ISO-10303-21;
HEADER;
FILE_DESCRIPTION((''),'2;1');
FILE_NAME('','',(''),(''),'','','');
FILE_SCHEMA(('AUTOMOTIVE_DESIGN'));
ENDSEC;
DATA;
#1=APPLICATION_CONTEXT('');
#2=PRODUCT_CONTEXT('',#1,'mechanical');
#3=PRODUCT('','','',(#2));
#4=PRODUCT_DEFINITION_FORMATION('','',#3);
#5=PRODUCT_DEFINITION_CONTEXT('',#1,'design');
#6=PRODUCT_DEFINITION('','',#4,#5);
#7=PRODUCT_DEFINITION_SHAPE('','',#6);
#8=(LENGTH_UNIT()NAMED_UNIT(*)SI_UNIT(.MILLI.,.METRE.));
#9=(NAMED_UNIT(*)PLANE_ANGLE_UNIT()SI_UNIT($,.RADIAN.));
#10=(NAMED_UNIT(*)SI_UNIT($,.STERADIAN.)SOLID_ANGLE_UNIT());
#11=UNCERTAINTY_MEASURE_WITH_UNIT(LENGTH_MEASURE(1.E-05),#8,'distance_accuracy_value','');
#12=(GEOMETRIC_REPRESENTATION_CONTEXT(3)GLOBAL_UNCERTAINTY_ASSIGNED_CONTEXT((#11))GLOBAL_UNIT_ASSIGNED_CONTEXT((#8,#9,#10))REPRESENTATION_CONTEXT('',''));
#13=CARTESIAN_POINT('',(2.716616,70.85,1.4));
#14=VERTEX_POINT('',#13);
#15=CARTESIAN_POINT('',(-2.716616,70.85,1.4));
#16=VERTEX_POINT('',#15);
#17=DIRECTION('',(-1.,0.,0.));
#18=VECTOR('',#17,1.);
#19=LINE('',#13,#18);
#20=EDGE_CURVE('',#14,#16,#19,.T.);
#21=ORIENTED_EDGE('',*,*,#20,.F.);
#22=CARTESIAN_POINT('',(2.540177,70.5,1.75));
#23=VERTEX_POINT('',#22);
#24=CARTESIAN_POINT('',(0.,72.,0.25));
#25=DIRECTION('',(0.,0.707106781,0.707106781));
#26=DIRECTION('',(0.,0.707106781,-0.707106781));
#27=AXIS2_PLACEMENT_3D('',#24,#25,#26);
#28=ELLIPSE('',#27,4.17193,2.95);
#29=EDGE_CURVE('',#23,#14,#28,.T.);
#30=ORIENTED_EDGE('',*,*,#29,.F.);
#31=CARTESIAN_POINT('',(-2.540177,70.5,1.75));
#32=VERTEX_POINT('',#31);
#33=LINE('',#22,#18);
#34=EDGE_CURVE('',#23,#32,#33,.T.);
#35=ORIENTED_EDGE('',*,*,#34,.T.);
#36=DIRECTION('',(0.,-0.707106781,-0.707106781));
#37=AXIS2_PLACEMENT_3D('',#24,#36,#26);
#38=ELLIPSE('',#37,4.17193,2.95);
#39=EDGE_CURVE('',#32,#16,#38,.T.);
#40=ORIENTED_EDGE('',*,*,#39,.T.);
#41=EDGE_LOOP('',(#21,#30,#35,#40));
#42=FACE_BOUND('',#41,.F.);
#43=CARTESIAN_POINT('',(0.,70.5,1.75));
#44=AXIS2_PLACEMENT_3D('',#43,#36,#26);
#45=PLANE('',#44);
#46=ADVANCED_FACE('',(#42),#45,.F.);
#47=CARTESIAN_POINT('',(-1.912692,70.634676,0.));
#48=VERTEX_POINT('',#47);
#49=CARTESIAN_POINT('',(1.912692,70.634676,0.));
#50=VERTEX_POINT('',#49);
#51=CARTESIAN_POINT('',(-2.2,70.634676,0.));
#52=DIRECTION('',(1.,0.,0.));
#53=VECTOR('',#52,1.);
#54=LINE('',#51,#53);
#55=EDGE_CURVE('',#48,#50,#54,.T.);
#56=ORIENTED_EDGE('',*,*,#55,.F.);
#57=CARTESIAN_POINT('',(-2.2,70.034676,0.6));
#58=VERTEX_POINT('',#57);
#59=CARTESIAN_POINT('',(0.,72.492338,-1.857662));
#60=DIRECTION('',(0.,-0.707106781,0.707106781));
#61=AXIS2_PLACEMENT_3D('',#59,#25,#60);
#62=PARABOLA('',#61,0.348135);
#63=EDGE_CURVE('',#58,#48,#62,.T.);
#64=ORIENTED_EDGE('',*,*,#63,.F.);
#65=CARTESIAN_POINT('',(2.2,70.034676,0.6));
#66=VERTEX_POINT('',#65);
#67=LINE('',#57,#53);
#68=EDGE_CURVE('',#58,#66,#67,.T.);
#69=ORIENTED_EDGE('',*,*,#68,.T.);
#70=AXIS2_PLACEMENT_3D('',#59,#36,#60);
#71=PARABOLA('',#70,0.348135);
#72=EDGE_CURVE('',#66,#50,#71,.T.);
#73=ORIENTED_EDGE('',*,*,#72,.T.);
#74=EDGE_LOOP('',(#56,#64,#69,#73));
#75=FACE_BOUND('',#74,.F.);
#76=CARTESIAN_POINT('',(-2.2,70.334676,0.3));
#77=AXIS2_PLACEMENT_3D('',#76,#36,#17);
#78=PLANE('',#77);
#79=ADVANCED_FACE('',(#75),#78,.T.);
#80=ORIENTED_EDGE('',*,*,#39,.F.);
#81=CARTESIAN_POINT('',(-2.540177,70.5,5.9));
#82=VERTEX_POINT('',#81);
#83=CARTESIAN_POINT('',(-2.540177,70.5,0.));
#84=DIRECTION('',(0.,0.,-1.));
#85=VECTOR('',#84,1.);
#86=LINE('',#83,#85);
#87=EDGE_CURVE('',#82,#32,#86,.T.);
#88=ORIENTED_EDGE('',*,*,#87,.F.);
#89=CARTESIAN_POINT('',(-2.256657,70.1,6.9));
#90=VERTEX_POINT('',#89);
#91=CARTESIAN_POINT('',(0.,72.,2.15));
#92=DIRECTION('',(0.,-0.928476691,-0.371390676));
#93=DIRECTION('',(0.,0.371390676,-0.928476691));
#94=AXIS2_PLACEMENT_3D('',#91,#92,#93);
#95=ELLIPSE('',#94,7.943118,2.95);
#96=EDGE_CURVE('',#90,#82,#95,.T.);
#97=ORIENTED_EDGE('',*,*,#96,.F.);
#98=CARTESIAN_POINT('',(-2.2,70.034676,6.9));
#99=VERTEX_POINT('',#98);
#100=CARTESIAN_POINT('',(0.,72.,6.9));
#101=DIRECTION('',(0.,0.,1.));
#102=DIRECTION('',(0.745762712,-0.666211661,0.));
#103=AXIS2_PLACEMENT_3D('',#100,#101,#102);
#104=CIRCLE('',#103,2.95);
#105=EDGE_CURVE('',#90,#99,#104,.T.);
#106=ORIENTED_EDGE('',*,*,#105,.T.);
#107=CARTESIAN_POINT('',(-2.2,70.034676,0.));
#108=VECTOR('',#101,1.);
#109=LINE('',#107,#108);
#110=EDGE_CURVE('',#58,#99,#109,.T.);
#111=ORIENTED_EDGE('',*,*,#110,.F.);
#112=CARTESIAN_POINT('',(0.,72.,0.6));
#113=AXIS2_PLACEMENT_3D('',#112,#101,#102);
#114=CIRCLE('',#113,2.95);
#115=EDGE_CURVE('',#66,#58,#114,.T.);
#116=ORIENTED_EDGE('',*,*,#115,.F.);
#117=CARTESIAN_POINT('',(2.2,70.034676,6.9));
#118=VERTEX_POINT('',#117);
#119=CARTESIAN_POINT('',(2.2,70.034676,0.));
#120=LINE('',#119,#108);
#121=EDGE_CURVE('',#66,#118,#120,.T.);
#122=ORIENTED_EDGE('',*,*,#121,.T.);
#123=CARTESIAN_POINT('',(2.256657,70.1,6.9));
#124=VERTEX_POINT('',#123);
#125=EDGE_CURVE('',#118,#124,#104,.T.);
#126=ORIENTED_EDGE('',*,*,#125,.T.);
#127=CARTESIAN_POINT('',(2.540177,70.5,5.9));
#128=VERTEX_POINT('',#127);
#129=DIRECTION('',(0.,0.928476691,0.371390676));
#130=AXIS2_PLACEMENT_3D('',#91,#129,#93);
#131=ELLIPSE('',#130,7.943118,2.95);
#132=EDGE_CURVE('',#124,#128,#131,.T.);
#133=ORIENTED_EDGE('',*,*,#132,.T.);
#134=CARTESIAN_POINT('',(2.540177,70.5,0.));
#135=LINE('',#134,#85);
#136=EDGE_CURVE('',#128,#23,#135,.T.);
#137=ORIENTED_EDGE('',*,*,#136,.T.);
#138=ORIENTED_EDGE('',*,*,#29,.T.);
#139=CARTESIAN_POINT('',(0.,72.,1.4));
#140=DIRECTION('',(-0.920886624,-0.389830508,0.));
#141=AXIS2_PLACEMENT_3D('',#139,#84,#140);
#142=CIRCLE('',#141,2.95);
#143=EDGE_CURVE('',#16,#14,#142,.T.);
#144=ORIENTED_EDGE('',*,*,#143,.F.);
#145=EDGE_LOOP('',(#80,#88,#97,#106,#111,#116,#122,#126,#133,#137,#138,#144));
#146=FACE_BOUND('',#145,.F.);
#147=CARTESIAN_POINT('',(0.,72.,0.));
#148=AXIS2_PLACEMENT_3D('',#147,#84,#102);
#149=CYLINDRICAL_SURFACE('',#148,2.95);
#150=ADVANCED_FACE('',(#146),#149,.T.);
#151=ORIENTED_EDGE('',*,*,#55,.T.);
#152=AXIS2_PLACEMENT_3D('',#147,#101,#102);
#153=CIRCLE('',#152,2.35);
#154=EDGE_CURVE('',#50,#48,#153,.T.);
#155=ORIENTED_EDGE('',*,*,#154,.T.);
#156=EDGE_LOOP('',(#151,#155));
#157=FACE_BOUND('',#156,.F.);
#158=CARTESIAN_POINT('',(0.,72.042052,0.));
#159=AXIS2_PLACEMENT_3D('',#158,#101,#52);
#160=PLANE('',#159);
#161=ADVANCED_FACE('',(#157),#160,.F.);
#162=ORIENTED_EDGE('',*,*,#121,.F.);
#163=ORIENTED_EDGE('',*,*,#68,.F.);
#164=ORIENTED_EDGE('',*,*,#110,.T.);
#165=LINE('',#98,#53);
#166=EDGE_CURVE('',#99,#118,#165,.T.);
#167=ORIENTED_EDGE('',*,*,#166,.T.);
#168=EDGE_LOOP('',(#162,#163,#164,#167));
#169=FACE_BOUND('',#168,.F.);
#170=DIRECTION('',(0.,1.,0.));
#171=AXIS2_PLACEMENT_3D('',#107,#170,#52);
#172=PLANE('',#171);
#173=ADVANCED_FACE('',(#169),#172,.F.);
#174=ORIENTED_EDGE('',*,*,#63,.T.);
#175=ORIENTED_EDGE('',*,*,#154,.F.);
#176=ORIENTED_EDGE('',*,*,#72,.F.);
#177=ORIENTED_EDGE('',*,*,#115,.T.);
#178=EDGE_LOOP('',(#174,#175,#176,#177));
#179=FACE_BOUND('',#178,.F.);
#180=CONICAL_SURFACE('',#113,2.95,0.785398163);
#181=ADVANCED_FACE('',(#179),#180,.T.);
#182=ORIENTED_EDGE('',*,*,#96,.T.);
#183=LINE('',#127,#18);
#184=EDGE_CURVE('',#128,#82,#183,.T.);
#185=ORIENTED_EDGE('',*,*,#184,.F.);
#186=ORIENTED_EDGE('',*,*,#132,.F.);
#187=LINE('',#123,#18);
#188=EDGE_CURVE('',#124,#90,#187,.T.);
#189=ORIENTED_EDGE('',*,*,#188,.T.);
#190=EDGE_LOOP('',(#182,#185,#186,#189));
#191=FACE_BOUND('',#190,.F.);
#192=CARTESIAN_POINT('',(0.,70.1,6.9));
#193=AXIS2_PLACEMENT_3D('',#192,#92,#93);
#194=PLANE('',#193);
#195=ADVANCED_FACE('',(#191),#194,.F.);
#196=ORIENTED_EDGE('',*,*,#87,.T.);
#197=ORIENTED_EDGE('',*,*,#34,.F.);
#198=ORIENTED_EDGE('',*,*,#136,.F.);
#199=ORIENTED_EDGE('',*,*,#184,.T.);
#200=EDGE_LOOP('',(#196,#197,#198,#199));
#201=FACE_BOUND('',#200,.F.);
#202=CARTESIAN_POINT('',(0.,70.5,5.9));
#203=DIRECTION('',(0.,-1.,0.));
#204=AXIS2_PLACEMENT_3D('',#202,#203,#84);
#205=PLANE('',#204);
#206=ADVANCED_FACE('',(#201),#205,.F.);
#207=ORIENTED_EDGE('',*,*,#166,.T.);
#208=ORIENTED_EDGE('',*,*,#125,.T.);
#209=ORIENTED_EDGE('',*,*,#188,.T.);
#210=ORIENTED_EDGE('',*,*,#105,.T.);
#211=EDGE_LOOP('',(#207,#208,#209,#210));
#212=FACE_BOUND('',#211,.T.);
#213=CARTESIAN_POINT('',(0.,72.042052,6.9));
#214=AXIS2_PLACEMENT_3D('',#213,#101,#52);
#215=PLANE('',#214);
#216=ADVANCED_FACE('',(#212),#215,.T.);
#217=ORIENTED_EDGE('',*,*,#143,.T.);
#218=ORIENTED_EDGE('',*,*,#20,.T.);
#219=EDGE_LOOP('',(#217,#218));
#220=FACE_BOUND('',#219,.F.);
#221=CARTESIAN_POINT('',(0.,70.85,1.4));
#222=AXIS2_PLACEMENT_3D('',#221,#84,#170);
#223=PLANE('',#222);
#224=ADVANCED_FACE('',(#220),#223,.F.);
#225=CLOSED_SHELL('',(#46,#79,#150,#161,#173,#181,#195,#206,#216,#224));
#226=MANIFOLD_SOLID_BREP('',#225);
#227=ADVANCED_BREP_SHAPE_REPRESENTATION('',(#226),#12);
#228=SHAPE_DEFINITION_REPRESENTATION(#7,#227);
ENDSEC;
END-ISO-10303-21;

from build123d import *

# Parameters (mm, degrees)
PAD007_DEPTH         = 6.9
POCKET005_DEPTH      = 2.951
POCKET005_DEPTH_BACK = 2.951
CHAMFER008_SIZE      = 0.6


with BuildPart() as part:
    # Sketch018 → Pad007 (new body)
    with BuildSketch(Plane.XY):
        with BuildLine():
            ThreePointArc((2.2, -1.9653244007), (0, 2.95), (-2.2, -1.9653244007))
            Line((-2.2, -1.9653244007), (2.2, -1.9653244007))
        make_face()
    extrude(amount=PAD007_DEPTH)

    # Sketch019 → Pocket005 (cut, two sides)
    with BuildSketch(Plane.YZ) as pocket005_sk:
        Polygon((-1.9, 6.9), (-1.5, 5.9), (-1.5, 1.75), (-1.15, 1.4), (5, 1.4), (5, 6.9), align=None)
    extrude(amount=-POCKET005_DEPTH, mode=Mode.SUBTRACT)
    extrude(pocket005_sk.sketch, amount=POCKET005_DEPTH_BACK, mode=Mode.SUBTRACT)

    # Chamfer008
    chamfer008_edges = [part.edges().sort_by_distance(p)[0] for p in [
        (0, 2.95, 0),
        (0, -1.965324, 0),
    ]]
    chamfer(chamfer008_edges, length=CHAMFER008_SIZE)


with BuildPart() as part_1:
    # Body062 placement: moved
    add(part.part.moved(Location((0, 72, 0))))


solid = part_1.part
